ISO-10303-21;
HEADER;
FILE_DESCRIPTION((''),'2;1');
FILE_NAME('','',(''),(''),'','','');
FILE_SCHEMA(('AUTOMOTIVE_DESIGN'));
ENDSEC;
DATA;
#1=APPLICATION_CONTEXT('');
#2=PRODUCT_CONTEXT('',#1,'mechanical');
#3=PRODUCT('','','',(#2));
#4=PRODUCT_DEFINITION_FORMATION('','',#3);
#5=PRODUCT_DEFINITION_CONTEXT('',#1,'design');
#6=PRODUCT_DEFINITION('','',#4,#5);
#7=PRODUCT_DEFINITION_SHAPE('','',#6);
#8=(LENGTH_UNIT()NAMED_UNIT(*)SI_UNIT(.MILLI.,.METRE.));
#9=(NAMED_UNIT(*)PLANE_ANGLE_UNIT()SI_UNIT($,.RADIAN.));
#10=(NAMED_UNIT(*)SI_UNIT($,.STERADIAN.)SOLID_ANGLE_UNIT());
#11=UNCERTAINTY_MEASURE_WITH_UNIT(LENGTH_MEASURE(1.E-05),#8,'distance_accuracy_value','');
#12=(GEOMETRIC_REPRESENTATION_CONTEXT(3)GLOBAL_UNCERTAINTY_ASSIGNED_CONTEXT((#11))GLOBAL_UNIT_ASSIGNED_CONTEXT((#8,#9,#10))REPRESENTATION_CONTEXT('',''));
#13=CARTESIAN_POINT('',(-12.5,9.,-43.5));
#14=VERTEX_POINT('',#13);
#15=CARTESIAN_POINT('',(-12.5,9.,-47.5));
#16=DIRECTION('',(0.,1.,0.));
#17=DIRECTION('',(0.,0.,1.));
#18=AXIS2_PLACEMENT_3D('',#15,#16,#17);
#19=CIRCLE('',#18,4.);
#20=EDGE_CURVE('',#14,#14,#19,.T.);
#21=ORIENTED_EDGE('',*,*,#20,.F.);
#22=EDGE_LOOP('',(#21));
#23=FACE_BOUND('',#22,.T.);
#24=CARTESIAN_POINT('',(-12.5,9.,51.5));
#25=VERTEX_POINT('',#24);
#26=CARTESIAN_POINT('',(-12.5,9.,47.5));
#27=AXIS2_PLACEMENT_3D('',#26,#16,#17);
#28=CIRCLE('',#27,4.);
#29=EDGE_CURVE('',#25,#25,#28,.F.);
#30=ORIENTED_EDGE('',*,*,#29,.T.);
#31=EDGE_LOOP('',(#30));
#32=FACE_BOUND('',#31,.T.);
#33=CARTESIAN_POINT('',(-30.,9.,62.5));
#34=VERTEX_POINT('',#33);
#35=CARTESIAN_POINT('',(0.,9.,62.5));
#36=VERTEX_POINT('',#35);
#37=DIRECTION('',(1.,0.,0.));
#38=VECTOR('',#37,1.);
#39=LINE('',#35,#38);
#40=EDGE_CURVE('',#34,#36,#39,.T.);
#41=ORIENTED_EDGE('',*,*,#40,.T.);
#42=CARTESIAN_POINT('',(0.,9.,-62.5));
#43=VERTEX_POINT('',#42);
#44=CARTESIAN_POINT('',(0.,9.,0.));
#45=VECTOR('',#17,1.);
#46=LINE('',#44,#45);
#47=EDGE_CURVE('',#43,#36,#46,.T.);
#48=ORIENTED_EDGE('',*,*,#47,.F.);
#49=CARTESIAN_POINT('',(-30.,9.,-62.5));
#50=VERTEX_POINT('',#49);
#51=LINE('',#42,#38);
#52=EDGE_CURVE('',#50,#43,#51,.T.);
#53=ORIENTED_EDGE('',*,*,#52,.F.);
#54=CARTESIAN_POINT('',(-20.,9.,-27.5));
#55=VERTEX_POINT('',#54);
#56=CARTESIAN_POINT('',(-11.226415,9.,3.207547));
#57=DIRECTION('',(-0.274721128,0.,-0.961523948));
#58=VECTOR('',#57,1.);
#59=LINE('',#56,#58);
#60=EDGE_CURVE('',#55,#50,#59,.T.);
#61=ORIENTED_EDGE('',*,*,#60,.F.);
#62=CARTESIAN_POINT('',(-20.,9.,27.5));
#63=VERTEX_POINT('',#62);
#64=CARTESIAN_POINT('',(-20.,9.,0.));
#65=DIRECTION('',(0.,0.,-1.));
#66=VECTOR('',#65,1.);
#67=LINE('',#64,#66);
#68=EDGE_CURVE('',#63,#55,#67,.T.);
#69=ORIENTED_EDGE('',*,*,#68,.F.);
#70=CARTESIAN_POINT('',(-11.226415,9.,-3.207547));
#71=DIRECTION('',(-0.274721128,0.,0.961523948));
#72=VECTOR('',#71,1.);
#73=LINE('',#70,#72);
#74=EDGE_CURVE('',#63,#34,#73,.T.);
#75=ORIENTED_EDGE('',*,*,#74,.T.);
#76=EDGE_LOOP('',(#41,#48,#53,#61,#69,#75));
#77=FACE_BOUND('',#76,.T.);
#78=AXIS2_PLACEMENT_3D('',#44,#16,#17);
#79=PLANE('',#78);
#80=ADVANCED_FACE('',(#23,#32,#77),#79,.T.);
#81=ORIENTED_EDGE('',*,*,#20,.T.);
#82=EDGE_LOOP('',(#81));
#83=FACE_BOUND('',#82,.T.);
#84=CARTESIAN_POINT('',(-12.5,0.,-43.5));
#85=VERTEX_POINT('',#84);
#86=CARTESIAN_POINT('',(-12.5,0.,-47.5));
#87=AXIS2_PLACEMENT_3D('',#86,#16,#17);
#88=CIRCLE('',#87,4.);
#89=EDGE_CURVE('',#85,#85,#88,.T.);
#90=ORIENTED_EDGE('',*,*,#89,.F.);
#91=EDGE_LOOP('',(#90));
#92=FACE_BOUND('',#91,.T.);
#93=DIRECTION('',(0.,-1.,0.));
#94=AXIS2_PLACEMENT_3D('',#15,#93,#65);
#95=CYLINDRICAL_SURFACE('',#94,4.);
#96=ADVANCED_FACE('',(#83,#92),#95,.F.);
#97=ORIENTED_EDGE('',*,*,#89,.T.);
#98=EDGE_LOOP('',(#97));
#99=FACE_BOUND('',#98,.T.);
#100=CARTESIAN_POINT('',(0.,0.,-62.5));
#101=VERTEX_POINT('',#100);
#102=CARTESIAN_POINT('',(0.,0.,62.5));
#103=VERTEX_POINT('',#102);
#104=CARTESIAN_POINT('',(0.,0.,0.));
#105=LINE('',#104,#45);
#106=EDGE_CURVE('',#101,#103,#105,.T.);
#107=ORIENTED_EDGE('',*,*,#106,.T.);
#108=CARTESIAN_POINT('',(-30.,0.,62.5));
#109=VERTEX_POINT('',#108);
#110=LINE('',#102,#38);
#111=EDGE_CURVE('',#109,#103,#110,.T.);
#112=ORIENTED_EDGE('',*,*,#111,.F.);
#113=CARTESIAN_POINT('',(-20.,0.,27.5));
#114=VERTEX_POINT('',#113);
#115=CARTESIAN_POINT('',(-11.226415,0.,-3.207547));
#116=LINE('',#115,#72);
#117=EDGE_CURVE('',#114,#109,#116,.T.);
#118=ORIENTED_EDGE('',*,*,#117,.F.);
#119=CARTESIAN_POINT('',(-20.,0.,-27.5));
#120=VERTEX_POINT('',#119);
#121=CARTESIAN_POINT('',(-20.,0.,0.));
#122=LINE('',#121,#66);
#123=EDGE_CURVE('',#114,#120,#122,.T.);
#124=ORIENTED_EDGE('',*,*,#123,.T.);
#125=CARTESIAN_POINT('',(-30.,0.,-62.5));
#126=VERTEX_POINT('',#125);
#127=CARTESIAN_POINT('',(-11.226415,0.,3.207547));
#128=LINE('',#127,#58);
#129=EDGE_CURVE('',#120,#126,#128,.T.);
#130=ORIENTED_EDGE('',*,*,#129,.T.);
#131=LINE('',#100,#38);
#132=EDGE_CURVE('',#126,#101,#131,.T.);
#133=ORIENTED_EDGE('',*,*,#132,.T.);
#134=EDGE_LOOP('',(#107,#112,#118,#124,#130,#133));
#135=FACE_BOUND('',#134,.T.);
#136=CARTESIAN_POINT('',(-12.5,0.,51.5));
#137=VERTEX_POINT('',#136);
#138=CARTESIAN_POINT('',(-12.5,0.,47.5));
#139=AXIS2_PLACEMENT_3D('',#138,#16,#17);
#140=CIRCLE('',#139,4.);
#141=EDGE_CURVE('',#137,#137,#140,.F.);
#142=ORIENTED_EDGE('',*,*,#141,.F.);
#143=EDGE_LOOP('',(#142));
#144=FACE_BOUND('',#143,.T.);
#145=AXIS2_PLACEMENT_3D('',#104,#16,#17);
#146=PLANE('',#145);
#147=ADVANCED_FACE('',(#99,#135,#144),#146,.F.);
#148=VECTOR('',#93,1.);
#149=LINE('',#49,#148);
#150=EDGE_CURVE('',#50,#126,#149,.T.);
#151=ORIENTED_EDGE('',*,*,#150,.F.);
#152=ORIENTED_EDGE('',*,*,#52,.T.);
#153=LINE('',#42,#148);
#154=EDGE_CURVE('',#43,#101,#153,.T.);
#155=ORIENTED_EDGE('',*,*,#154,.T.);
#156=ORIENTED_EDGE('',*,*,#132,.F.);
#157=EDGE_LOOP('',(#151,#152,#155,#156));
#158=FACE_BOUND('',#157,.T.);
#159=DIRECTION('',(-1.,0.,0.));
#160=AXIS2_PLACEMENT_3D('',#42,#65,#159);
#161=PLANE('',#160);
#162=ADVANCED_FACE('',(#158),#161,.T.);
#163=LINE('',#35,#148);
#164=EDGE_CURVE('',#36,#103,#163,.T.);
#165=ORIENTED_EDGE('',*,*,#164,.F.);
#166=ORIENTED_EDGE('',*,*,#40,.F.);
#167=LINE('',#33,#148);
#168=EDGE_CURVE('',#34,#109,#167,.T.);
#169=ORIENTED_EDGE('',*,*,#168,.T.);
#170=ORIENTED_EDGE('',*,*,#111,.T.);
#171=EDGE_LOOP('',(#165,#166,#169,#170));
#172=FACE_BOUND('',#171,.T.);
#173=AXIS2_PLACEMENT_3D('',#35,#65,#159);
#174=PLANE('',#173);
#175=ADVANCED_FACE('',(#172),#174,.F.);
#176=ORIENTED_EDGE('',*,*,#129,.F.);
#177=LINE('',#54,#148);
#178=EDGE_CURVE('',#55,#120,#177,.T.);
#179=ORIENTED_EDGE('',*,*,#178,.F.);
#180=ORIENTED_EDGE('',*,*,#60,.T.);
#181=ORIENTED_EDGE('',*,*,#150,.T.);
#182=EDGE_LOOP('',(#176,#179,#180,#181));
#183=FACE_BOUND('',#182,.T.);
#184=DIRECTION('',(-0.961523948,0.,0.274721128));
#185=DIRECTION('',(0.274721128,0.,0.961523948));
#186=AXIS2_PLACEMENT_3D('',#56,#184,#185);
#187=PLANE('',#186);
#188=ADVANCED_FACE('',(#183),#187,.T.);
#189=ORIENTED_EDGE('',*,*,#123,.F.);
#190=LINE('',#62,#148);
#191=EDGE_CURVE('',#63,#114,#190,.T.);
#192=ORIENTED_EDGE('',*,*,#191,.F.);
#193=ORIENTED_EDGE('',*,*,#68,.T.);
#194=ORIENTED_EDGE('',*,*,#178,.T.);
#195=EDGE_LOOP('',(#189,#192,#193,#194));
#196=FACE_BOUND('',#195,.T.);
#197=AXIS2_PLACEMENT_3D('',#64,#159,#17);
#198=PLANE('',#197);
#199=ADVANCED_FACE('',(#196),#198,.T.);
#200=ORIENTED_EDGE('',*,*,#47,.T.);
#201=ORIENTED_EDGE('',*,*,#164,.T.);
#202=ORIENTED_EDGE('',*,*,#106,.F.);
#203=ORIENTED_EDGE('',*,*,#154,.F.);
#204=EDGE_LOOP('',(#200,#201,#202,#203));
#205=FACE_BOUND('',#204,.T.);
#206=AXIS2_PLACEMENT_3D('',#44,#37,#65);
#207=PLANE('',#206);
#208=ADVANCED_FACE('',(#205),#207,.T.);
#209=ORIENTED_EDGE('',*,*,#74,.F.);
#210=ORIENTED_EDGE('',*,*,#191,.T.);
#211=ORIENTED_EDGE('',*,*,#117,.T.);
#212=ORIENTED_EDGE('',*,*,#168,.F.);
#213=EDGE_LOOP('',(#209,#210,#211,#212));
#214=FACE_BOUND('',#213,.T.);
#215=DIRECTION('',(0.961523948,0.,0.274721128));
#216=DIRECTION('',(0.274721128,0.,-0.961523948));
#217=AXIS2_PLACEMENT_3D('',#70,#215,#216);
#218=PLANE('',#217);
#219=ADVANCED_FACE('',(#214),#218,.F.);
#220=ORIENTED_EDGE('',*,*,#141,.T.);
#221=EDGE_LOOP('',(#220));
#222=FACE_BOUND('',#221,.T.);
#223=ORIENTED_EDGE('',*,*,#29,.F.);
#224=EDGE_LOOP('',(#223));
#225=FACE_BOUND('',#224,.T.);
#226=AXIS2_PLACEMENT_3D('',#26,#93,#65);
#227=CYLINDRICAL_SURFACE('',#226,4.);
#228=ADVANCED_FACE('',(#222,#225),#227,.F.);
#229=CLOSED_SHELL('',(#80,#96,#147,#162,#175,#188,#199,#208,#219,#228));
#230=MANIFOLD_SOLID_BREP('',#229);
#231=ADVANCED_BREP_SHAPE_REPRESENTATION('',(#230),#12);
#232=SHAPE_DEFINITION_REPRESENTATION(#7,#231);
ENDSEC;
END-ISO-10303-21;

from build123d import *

# Parameters (mm, degrees)
SKETCH1_R           = 4
BOSS_EXTRUDE1_DEPTH = 9


with BuildPart() as part:
    # Sketch1 → Boss-Extrude1 (new body)
    with BuildSketch(Plane(origin=(0, 0, 0), x_dir=(1, 0, 0), z_dir=(0, 1, 0))):
        Polygon((0, 62.5), (0, -62.5), (-30, -62.5), (-20, -27.5), (-20, 27.5), (-30, 62.5), align=None)
        with Locations(Location((-12.5, 47.5, 0), (0, 0, 270))):
            Circle(SKETCH1_R, mode=Mode.SUBTRACT)
        with Locations(Location((-12.5, -47.5, 0), (0, 0, 270))):
            Circle(SKETCH1_R, mode=Mode.SUBTRACT)
    extrude(amount=BOSS_EXTRUDE1_DEPTH)


solid = part.part
